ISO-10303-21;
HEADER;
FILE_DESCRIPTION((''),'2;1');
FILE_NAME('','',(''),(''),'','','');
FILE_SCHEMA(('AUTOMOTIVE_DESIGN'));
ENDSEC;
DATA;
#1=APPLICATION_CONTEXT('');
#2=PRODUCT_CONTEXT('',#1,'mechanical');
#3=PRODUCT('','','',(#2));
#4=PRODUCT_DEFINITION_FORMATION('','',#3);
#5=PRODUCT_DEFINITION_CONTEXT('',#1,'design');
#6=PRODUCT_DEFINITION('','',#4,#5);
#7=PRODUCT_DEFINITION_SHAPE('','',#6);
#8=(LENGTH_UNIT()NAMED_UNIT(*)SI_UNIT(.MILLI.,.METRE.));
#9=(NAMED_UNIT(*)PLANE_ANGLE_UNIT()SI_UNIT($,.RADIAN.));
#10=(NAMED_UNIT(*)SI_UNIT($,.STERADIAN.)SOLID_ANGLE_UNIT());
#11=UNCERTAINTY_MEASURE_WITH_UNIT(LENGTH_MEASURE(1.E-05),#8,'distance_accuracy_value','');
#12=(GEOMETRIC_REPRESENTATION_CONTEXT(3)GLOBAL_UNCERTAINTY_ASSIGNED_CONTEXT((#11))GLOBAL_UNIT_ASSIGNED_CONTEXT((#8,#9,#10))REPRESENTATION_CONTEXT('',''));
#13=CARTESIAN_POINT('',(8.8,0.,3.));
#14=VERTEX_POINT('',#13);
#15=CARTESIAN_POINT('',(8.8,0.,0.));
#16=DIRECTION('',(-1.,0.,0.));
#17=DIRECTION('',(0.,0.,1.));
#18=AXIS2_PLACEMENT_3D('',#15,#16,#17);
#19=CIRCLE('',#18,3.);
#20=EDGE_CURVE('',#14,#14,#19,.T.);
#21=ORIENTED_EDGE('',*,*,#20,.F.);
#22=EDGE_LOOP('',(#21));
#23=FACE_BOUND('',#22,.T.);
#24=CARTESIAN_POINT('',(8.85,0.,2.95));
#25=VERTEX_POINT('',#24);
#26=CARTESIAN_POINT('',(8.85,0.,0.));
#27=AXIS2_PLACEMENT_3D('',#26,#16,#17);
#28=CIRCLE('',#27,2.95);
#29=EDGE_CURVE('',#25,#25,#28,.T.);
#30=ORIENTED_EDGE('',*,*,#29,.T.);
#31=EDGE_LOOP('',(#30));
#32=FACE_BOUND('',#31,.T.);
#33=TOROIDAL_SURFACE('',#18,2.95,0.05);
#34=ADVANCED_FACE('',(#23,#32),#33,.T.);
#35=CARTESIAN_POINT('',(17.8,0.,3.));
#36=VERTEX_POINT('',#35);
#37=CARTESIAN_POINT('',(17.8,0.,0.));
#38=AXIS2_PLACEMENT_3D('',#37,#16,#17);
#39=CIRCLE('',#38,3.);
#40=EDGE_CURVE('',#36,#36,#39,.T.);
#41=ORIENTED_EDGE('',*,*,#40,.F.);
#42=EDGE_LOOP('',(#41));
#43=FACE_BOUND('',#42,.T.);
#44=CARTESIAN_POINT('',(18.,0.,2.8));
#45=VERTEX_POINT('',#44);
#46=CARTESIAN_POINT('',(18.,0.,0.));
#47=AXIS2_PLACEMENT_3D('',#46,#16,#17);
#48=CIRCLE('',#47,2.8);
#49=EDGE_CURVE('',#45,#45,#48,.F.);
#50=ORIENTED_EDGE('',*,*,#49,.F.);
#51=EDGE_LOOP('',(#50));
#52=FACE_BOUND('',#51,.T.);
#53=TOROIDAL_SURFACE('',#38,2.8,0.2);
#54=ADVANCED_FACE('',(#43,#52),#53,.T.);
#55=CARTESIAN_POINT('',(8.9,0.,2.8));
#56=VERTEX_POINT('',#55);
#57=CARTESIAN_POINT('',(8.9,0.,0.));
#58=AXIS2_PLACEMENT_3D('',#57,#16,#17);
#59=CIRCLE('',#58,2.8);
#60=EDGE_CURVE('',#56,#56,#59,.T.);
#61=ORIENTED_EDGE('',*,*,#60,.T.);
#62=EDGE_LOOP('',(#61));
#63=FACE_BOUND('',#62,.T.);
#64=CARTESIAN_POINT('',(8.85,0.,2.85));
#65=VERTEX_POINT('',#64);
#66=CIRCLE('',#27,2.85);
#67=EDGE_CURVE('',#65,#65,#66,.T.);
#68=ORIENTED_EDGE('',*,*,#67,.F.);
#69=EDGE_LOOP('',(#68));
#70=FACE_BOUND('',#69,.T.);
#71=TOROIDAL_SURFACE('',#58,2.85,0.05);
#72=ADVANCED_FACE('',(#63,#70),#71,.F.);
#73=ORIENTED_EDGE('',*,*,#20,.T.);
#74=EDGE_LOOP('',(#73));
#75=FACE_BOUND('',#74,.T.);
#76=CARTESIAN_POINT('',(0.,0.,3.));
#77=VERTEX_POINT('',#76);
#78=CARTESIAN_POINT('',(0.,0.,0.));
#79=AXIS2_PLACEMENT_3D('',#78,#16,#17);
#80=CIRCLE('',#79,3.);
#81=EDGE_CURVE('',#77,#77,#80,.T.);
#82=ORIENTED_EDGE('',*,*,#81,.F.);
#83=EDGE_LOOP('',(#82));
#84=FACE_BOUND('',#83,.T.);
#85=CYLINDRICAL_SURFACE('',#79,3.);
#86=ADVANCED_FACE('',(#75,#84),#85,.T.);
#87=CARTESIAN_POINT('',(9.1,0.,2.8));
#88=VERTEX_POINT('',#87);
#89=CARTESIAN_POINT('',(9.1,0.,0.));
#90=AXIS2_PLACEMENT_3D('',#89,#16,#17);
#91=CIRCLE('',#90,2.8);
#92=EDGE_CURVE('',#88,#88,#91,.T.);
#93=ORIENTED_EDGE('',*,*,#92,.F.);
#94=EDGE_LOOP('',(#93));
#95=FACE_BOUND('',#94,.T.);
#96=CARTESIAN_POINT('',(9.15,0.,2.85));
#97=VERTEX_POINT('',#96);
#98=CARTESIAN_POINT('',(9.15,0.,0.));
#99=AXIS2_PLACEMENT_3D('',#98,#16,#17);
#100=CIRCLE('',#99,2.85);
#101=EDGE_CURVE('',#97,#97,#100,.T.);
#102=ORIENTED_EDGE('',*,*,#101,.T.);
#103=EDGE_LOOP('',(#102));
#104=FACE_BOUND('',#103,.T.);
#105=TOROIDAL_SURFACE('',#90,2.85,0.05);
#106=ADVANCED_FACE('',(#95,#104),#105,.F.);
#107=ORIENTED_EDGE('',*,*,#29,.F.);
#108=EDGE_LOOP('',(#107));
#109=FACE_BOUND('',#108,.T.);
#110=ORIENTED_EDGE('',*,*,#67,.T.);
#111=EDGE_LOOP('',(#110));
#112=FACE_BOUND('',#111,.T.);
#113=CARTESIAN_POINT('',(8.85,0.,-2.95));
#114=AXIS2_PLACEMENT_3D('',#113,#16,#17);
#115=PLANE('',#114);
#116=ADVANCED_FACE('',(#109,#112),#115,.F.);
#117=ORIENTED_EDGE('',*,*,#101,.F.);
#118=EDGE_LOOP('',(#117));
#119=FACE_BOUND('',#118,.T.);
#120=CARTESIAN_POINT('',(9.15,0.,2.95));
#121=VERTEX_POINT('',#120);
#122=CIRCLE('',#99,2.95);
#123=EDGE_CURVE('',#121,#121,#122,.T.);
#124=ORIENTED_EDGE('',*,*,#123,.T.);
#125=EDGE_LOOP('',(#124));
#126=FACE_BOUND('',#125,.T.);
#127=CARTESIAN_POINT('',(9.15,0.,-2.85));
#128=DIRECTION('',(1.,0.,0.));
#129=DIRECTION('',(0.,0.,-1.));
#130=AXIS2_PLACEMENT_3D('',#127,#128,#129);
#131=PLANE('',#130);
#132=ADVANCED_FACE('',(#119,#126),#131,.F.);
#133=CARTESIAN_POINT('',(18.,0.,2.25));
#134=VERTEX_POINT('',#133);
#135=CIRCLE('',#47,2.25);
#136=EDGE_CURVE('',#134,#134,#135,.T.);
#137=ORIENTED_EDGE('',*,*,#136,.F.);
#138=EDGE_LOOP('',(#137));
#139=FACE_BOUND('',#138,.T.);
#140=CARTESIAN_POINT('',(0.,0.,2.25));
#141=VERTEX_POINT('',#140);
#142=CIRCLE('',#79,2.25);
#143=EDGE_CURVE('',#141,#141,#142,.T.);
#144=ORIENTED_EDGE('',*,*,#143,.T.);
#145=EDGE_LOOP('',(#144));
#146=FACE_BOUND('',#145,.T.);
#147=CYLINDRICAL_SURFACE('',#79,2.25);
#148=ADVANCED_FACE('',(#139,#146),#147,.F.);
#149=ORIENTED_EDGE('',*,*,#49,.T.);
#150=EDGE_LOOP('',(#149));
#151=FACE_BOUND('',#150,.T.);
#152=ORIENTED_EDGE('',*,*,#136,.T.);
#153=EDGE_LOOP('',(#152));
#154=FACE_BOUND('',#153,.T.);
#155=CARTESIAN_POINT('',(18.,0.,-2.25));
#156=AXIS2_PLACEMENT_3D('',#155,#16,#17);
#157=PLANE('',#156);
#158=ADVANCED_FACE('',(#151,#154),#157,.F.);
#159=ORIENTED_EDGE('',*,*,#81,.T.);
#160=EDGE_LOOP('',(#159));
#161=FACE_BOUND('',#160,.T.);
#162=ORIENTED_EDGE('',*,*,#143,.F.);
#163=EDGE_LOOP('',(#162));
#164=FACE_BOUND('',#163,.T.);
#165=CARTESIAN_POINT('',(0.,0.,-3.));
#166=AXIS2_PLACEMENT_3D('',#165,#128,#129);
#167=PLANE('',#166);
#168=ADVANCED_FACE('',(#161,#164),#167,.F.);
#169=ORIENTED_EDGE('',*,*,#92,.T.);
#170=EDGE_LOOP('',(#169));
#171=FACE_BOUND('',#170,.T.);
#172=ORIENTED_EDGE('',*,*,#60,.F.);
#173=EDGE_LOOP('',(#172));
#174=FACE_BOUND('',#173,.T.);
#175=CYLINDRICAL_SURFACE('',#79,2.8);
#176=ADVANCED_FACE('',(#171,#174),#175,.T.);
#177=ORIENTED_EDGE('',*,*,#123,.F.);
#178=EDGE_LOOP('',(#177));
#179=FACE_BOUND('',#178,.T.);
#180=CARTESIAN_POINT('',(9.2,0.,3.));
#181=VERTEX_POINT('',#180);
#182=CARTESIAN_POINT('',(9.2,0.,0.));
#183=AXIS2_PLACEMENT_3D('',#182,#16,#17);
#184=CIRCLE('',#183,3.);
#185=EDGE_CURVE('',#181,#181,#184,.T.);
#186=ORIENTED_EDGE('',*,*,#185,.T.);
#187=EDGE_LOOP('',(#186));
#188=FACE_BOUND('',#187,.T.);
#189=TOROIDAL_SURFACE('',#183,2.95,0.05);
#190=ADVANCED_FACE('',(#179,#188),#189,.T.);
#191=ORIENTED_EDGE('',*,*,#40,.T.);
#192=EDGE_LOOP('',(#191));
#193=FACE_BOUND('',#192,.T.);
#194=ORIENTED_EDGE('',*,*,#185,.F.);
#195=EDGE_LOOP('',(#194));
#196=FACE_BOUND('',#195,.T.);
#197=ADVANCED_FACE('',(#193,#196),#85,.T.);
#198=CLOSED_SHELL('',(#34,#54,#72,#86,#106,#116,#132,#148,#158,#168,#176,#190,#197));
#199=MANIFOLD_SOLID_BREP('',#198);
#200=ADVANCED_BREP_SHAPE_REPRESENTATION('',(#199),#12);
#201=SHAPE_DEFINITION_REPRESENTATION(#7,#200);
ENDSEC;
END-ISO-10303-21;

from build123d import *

# Parameters (mm, degrees)
FILLET2_R = 0.2


with BuildPart() as part:
    # Sketch2 → Revolve1 (revolve)
    with BuildSketch(Plane(origin=(0, 0, 0), x_dir=(1, 0, 0), z_dir=(0, 1, 0))):
        with BuildLine():
            Line((18, 2.25), (18, 3))
            Line((18, 3), (9.2, 3))
            ThreePointArc((9.2, 3), (9.164644661, 2.985355339), (9.15, 2.95))
            Line((9.15, 2.95), (9.15, 2.85))
            ThreePointArc((9.15, 2.85), (9.135355339, 2.814644661), (9.1, 2.8))
            Line((9.1, 2.8), (8.9, 2.8))
            ThreePointArc((8.9, 2.8), (8.864644661, 2.814644661), (8.85, 2.85))
            Line((8.85, 2.85), (8.85, 2.95))
            ThreePointArc((8.85, 2.95), (8.835355339, 2.985355339), (8.8, 3))
            Line((8.8, 3), (0, 3))
            Line((0, 3), (0, 2.25))
            Line((0, 2.25), (18, 2.25))
        make_face()
    revolve(axis=Axis((0, 0, 0), (1, 0, 0)))

    # Fillet2
    fillet2_edges = [part.edges().sort_by_distance(p)[0] for p in [
        (18, 0, 3),
    ]]
    fillet(fillet2_edges, radius=FILLET2_R)


solid = part.part
